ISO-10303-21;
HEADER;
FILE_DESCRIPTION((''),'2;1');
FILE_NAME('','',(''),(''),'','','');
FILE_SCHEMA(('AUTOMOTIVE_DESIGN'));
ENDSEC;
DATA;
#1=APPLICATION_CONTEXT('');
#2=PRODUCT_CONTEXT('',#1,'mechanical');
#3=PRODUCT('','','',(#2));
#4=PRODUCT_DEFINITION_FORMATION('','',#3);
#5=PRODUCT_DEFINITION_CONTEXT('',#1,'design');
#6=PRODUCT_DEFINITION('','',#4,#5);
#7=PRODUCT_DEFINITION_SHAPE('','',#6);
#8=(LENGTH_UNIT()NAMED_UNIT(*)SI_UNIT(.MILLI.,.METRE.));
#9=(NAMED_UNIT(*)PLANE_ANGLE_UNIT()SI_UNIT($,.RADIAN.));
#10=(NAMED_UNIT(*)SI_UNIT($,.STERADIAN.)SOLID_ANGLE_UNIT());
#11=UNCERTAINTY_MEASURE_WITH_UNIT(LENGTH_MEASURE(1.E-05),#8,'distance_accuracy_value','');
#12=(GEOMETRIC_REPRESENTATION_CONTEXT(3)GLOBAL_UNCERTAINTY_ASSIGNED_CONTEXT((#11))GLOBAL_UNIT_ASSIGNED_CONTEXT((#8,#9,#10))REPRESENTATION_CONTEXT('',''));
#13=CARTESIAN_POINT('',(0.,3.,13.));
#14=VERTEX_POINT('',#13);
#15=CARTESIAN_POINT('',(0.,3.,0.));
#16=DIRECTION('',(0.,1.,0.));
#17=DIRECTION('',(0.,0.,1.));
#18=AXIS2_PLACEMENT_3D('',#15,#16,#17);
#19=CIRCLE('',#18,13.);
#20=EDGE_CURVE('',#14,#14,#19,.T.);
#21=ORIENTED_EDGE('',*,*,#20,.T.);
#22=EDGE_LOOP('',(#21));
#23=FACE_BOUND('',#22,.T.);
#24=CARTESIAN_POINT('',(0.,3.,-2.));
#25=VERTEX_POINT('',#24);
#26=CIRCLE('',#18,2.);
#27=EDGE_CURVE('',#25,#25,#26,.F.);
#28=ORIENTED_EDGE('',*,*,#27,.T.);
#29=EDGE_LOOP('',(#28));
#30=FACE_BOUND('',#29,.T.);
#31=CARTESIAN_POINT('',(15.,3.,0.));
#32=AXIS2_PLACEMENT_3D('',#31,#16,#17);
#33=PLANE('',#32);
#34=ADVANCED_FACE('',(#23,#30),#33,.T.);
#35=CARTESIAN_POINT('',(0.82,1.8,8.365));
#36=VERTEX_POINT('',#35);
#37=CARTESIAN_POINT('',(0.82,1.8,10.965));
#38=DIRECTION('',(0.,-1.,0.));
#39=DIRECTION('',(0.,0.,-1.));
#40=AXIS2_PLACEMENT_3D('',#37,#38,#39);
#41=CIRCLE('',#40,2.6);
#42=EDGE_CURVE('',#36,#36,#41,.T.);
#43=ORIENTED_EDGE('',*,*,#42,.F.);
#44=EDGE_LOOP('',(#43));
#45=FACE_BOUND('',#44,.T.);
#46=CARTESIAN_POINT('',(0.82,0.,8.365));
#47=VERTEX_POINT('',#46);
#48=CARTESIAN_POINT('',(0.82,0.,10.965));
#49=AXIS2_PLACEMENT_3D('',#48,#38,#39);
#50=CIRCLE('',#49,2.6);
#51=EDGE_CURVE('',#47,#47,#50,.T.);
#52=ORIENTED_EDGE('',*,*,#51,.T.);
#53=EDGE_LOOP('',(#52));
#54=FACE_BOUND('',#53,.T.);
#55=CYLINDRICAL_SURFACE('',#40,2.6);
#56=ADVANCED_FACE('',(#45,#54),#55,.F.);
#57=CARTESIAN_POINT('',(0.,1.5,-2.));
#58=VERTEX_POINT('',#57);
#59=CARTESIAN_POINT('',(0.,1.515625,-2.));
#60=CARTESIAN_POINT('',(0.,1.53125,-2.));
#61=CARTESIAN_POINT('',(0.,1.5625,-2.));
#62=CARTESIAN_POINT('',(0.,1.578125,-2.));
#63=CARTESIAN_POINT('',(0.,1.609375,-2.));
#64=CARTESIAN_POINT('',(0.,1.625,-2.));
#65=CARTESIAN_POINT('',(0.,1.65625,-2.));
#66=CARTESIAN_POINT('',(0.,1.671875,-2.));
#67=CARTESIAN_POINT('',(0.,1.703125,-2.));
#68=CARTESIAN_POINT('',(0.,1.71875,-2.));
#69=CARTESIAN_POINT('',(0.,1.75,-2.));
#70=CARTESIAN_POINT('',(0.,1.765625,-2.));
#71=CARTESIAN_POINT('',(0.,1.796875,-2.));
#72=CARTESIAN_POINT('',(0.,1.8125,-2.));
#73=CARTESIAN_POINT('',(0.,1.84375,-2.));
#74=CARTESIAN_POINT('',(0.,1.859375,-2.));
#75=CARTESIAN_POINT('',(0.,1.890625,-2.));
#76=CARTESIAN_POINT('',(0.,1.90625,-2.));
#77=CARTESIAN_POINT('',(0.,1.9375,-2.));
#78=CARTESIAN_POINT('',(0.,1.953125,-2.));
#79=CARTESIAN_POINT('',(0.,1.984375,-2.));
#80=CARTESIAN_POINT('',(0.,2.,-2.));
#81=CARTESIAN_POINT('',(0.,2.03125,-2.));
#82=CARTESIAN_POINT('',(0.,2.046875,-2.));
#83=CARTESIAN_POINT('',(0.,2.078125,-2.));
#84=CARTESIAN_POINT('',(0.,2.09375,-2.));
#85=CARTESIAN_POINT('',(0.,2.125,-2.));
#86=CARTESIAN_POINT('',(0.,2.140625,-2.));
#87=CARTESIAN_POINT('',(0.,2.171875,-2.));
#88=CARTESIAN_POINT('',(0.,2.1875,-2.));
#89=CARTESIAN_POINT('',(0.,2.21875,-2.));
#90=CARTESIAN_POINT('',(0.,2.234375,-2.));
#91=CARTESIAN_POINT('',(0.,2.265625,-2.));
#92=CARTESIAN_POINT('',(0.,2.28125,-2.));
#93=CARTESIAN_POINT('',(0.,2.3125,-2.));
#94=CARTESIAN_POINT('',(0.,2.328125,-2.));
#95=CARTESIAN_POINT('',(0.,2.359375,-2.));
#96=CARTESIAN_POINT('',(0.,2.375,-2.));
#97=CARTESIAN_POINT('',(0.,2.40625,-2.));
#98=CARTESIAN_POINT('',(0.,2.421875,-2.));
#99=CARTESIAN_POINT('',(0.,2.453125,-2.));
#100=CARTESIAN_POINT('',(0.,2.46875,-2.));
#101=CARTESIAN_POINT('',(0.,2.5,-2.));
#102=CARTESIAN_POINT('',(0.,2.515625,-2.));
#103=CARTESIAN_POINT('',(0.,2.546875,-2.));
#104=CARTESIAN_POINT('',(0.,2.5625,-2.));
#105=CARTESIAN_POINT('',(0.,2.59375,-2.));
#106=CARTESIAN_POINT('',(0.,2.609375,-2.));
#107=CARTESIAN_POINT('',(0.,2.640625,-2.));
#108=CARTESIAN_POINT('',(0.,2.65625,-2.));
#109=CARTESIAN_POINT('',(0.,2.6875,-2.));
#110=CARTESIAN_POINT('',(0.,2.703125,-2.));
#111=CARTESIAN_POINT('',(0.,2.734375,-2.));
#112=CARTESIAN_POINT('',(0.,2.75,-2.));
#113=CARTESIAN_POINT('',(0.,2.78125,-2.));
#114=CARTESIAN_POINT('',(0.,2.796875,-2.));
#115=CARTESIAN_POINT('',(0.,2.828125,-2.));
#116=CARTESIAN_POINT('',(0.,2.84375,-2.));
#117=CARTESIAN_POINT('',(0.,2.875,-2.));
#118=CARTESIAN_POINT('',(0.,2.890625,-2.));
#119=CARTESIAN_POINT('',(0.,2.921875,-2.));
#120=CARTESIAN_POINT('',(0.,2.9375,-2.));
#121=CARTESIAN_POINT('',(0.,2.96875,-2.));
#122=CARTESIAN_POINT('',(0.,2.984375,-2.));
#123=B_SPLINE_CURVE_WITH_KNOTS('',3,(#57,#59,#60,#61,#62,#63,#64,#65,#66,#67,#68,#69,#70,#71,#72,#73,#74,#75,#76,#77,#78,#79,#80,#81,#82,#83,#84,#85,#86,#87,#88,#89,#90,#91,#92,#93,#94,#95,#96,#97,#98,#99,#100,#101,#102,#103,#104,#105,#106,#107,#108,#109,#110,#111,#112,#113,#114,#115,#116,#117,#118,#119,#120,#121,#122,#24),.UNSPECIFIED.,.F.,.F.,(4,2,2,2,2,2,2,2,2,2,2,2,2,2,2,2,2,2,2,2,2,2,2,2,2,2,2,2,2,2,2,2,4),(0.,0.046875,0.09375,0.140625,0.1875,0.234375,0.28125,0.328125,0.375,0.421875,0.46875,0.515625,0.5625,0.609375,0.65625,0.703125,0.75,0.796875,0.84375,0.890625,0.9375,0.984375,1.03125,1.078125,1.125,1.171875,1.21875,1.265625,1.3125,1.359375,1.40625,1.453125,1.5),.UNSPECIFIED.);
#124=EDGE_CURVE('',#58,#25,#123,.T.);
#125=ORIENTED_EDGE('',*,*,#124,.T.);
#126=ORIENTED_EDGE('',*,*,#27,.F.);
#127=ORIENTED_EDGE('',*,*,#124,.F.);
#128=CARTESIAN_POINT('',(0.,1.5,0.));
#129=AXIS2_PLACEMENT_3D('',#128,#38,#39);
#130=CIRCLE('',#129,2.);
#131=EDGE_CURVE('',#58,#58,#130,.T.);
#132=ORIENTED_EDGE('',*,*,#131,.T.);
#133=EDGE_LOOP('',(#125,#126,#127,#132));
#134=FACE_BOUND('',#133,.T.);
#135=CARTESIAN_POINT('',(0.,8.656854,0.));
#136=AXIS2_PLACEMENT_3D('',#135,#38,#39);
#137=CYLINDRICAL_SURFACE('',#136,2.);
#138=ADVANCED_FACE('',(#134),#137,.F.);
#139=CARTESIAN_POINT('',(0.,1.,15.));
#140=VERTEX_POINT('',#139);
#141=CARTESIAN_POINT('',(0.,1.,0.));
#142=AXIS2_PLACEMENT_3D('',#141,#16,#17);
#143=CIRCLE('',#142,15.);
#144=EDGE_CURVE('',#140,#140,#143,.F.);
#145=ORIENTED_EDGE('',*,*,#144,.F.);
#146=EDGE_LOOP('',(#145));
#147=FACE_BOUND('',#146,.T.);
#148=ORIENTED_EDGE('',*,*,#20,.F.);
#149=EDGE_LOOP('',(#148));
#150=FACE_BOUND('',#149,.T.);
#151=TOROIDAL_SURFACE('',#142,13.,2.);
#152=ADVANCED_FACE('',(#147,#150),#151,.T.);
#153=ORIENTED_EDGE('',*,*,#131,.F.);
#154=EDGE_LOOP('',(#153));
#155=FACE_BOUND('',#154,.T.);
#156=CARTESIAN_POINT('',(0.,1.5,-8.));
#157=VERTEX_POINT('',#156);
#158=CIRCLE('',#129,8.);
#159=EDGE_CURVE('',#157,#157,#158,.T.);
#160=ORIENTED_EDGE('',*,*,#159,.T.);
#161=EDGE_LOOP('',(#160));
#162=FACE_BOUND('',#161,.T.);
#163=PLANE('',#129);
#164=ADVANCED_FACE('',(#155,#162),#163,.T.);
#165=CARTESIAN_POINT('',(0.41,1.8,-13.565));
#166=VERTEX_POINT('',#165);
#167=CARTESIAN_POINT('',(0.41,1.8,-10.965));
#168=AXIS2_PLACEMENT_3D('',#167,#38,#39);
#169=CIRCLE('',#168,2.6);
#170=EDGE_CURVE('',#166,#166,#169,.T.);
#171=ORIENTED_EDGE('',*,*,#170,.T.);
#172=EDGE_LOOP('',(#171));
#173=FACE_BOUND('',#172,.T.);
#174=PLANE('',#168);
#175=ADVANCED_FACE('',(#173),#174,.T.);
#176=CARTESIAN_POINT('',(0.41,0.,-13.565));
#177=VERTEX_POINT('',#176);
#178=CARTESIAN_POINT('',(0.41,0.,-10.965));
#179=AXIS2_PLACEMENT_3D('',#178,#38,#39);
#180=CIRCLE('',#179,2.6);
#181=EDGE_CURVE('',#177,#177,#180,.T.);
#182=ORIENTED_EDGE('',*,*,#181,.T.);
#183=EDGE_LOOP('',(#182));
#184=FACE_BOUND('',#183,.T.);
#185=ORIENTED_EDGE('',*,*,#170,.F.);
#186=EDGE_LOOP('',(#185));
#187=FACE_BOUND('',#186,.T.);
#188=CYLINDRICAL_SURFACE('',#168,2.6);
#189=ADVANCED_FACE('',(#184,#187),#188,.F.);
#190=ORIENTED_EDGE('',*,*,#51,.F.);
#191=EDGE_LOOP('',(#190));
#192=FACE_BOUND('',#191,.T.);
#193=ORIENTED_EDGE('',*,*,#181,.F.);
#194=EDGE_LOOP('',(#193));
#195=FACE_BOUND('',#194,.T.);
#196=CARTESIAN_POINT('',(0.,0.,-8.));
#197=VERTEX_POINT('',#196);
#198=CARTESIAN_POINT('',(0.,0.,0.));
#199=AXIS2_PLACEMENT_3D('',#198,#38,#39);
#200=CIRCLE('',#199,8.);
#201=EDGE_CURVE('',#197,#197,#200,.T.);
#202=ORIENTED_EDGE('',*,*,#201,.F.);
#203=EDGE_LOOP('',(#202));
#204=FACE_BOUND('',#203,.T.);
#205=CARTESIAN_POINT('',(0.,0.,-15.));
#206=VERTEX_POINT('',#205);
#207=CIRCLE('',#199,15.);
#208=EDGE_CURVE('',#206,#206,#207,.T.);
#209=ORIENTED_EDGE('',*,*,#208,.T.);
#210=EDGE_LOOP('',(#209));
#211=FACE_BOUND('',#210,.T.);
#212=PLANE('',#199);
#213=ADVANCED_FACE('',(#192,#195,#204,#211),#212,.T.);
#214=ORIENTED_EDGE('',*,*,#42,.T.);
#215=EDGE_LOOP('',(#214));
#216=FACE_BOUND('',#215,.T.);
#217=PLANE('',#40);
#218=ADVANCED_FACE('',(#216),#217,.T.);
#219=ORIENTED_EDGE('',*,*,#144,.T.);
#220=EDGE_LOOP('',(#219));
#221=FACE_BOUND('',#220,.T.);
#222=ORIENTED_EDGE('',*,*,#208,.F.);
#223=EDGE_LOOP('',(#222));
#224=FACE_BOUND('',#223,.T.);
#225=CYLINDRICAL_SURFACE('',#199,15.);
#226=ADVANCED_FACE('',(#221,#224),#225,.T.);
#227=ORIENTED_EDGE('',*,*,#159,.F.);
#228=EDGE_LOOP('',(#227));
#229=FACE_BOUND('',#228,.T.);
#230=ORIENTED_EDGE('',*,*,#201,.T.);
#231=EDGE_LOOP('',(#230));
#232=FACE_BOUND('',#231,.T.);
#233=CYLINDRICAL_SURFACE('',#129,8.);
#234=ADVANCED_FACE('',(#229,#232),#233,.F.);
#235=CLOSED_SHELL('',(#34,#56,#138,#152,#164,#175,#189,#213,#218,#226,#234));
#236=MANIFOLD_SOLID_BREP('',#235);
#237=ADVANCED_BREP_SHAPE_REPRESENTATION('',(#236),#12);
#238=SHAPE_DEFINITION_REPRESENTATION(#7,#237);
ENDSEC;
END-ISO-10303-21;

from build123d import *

# Parameters (mm, degrees)
SKETCH2_W          = 15
SKETCH2_H          = 3
SKETCH3_R          = 8
CUT_EXTRUDE1_DEPTH = 1.5
CUT_EXTRUDE2_DEPTH = 1.5
SKETCH5_R          = 2.6
CUT_EXTRUDE3_DEPTH = 1.8
FILLET1_R          = 2


with BuildPart() as part:
    # Sketch2 → Revolve1 (revolve)
    with BuildSketch(Plane.XY, mode=Mode.PRIVATE) as revolve1_sk:
        with Locations((7.5, 1.5)):
            Rectangle(SKETCH2_W, SKETCH2_H)
    revolve(revolve1_sk.sketch.rotate(Axis((0, 0, 0), (0, 1, 0)), 90), axis=Axis((0, 0, 0), (0, 1, 0)))

    # Sketch3 → Cut-Extrude1 (cut)
    with BuildSketch(Plane.XZ):
        with Locations(Location((0, 0, 0), (0, 0, 270))):
            Circle(SKETCH3_R)
    extrude(amount=-CUT_EXTRUDE1_DEPTH, mode=Mode.SUBTRACT)

    # Sketch4 → Cut-Extrude2 (cut)
    with BuildSketch(Plane.XZ.offset(-1.5)):
        with BuildLine():
            ThreePointArc((0, -2), (2, 0), (0, 2))
            ThreePointArc((0, 2), (-2, 0), (0, -2))
        make_face()
    extrude(amount=-CUT_EXTRUDE2_DEPTH, mode=Mode.SUBTRACT)

    # Sketch5 → Cut-Extrude3 (cut)
    with BuildSketch(Plane.XZ):
        with Locations(Location((0.41, -10.964999997, 0), (0, 0, 270))):
            Circle(SKETCH5_R)
        with Locations(Location((0.82, 10.965000003, 0), (0, 0, 270))):
            Circle(SKETCH5_R)
    extrude(amount=-CUT_EXTRUDE3_DEPTH, mode=Mode.SUBTRACT)

    # Fillet1
    fillet1_edges = [part.edges().sort_by_distance(p)[0] for p in [
        (0, 3, 15),
    ]]
    fillet(fillet1_edges, radius=FILLET1_R)


solid = part.part
